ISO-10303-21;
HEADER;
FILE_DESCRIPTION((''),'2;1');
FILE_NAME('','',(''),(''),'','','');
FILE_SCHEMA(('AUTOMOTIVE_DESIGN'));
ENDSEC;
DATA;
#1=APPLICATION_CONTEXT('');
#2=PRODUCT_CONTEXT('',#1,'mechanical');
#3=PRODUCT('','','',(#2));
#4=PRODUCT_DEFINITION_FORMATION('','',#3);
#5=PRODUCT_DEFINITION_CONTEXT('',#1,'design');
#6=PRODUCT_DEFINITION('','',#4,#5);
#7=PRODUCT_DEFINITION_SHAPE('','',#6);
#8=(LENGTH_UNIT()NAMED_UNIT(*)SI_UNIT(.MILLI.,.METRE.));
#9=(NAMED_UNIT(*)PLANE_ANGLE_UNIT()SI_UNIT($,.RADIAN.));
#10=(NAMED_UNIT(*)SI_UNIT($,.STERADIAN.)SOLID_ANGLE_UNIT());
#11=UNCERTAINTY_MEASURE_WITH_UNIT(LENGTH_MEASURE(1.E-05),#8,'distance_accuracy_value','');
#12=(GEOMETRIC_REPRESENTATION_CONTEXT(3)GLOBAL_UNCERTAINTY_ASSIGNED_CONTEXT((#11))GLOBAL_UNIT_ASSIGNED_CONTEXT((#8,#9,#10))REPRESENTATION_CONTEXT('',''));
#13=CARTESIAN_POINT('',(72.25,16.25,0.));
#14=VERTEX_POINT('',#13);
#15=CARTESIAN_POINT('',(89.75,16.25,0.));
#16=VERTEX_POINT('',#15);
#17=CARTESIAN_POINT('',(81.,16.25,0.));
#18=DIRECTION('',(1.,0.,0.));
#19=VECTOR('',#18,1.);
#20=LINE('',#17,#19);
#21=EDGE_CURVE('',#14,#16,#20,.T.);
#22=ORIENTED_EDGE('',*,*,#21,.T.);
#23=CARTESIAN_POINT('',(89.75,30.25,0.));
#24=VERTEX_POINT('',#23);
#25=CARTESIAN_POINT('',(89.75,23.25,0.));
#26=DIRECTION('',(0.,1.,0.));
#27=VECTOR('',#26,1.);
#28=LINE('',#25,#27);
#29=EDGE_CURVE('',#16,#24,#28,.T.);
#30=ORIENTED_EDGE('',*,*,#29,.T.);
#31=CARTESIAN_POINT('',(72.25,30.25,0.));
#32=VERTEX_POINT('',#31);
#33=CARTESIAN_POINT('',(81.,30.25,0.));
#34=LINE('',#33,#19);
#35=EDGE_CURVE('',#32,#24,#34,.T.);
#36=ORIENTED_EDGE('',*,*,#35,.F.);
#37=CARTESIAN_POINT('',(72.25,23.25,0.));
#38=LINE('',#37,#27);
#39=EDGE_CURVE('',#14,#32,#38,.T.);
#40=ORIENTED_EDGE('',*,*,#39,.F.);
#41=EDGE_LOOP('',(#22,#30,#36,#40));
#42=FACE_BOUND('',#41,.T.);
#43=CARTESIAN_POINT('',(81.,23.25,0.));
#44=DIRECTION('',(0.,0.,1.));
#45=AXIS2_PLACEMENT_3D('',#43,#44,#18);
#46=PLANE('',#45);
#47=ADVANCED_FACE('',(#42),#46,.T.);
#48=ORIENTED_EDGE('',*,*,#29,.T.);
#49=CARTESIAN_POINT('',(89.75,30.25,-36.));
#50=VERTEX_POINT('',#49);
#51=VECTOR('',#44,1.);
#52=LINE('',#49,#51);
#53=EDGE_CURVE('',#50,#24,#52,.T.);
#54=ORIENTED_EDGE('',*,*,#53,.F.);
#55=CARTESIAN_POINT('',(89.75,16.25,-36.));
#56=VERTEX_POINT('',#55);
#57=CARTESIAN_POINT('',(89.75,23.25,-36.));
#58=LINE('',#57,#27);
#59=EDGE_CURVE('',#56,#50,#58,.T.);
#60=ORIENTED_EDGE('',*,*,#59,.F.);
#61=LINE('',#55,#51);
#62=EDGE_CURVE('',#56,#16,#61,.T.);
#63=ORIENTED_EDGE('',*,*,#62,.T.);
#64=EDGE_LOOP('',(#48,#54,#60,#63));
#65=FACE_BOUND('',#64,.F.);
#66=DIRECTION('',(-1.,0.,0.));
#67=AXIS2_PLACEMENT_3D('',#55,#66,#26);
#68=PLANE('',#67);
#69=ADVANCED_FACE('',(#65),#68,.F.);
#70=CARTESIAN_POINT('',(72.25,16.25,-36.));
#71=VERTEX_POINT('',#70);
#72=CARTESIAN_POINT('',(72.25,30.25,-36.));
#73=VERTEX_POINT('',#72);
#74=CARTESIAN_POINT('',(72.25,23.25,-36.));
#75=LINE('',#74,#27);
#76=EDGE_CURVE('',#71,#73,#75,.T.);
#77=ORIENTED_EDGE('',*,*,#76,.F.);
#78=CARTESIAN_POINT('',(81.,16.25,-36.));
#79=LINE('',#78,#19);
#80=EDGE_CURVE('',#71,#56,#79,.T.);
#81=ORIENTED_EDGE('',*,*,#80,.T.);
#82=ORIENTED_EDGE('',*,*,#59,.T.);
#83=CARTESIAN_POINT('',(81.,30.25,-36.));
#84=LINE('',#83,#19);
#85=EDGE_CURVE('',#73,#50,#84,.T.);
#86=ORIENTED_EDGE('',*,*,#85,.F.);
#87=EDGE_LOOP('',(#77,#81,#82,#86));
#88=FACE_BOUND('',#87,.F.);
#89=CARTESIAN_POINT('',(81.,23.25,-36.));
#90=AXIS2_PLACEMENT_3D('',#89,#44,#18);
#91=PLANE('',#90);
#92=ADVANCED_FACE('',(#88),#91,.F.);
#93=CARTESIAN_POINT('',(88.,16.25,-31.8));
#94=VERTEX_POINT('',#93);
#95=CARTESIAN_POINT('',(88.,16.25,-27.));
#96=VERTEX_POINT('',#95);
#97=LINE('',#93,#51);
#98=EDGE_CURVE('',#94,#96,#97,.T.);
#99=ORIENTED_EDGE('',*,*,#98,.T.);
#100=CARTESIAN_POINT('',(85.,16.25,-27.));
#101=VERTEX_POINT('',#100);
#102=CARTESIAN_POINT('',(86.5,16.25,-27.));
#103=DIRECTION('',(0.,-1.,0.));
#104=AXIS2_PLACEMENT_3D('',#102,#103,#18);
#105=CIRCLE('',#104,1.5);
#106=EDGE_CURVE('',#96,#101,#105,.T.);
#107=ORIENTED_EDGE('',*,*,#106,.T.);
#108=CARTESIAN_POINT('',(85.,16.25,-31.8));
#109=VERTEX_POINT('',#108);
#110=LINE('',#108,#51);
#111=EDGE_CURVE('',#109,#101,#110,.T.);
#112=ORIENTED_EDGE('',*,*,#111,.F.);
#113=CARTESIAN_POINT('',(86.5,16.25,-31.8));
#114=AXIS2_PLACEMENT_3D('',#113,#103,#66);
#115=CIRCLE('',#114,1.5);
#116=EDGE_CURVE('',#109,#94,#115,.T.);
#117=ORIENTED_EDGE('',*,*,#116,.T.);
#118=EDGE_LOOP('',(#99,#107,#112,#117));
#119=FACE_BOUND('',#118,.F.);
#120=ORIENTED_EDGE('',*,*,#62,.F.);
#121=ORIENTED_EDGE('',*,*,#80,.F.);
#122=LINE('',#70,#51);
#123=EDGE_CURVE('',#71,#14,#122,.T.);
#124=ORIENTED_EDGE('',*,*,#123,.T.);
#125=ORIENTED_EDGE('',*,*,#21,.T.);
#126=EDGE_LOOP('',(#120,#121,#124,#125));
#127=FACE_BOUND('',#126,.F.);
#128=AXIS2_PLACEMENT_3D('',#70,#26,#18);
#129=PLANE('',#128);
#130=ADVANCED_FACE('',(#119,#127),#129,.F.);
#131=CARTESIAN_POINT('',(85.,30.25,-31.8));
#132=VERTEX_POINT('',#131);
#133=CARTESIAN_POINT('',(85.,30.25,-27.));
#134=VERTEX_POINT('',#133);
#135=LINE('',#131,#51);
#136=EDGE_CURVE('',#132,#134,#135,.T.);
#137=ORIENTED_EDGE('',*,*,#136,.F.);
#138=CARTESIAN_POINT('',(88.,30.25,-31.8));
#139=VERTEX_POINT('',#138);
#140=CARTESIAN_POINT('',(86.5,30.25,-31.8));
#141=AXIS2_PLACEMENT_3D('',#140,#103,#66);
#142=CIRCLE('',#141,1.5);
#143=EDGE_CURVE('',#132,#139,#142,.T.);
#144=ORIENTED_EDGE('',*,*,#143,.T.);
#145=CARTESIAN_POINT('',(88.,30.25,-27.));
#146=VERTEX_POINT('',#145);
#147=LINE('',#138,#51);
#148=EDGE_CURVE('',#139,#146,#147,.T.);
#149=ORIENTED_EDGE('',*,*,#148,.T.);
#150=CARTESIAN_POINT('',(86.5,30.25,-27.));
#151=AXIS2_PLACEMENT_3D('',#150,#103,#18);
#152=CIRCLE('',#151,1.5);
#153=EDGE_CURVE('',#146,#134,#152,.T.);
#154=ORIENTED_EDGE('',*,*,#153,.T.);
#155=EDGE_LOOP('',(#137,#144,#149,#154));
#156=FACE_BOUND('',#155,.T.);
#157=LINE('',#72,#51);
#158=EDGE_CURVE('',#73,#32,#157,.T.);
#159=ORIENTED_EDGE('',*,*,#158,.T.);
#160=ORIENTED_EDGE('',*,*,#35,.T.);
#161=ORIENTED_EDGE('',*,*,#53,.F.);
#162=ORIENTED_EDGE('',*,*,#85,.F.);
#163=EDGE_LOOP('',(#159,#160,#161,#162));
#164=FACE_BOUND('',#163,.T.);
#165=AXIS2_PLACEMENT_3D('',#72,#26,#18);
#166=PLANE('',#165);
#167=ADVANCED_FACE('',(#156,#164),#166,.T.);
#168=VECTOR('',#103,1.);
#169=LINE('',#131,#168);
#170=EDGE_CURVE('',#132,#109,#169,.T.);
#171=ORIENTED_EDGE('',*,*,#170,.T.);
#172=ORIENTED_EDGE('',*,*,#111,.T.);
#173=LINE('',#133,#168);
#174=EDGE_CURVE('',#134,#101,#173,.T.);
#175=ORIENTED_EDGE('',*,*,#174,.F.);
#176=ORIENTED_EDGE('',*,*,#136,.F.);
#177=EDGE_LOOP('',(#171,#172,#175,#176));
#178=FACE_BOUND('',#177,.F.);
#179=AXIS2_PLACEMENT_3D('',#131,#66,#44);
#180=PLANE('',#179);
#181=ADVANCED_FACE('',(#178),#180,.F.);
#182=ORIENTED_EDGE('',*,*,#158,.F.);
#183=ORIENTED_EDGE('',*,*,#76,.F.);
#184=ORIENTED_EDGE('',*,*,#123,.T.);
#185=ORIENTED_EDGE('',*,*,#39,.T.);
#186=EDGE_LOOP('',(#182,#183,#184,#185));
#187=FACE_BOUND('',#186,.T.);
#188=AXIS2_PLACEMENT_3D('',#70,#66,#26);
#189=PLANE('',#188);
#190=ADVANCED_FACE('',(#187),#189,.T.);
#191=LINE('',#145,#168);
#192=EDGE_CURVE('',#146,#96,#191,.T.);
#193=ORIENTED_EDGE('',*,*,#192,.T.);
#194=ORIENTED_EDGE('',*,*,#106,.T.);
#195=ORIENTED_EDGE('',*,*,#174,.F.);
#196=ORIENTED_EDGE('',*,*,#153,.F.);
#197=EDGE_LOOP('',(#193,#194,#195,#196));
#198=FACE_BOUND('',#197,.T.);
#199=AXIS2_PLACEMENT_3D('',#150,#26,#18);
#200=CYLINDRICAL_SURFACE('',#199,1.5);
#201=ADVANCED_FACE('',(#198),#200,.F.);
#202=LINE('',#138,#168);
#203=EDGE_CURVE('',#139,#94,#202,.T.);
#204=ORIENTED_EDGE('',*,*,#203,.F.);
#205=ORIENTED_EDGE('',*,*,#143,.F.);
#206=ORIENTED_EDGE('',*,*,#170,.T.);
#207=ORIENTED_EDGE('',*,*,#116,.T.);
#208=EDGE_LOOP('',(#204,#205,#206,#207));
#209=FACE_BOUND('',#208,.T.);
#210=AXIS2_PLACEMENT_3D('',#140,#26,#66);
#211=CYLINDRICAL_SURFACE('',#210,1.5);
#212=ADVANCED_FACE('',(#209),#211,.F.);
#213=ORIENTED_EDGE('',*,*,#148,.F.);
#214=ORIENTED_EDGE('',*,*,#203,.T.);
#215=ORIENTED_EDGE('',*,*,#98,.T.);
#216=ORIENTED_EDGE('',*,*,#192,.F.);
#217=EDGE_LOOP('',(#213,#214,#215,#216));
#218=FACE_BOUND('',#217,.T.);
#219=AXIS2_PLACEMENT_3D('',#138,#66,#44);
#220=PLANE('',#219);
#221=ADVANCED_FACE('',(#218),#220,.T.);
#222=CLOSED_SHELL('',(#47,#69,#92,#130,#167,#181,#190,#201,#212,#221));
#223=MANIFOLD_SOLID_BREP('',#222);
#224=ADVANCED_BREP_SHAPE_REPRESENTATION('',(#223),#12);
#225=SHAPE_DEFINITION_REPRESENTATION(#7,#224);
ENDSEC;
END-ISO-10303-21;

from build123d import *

# Parameters (mm, degrees)
EXTRUDE010_DEPTH           = 14
EXTRUDE010_PLACEMENT_ANGLE = 90
BOX023_W                   = 17.5
BOX023_H                   = 14
BOX023_DEPTH               = 36


with BuildPart() as extrude010:
    # Sketch014 → Extrude010 (new body)
    with BuildSketch(Plane.XZ):
        with BuildLine():
            ThreePointArc((-4.8, 1.5), (-6.3, 0), (-4.8, -1.5))
            Line((-4.8, -1.5), (0, -1.5))
            ThreePointArc((0, -1.5), (1.5, 0), (0, 1.5))
            Line((-4.8, 1.5), (0, 1.5))
        make_face()
    extrude(amount=EXTRUDE010_DEPTH)


with BuildPart() as extrude010_1:
    # Extrude010 placement: moved
    add(extrude010.part.moved(Location((86.5, 27.25, -27))).rotate(Axis((86.5, 27.25, -27), (0, -1, 0)), EXTRUDE010_PLACEMENT_ANGLE))


with BuildPart() as cut005:
    # Box023 → Box023 (new body)
    with BuildSketch(Plane(origin=(72.25, 13.25, -36), x_dir=(1, 0, 0), z_dir=(0, 0, 1))):
        with Locations((8.75, 7)):
            Rectangle(BOX023_W, BOX023_H)
    extrude(amount=BOX023_DEPTH)

    # Cut005: cut Extrude010
    add(extrude010_1.part, mode=Mode.SUBTRACT)


with BuildPart() as cut005_1:
    # Cut005 placement: moved
    add(cut005.part.moved(Location((0, 3, 0))))


solid = cut005_1.part
